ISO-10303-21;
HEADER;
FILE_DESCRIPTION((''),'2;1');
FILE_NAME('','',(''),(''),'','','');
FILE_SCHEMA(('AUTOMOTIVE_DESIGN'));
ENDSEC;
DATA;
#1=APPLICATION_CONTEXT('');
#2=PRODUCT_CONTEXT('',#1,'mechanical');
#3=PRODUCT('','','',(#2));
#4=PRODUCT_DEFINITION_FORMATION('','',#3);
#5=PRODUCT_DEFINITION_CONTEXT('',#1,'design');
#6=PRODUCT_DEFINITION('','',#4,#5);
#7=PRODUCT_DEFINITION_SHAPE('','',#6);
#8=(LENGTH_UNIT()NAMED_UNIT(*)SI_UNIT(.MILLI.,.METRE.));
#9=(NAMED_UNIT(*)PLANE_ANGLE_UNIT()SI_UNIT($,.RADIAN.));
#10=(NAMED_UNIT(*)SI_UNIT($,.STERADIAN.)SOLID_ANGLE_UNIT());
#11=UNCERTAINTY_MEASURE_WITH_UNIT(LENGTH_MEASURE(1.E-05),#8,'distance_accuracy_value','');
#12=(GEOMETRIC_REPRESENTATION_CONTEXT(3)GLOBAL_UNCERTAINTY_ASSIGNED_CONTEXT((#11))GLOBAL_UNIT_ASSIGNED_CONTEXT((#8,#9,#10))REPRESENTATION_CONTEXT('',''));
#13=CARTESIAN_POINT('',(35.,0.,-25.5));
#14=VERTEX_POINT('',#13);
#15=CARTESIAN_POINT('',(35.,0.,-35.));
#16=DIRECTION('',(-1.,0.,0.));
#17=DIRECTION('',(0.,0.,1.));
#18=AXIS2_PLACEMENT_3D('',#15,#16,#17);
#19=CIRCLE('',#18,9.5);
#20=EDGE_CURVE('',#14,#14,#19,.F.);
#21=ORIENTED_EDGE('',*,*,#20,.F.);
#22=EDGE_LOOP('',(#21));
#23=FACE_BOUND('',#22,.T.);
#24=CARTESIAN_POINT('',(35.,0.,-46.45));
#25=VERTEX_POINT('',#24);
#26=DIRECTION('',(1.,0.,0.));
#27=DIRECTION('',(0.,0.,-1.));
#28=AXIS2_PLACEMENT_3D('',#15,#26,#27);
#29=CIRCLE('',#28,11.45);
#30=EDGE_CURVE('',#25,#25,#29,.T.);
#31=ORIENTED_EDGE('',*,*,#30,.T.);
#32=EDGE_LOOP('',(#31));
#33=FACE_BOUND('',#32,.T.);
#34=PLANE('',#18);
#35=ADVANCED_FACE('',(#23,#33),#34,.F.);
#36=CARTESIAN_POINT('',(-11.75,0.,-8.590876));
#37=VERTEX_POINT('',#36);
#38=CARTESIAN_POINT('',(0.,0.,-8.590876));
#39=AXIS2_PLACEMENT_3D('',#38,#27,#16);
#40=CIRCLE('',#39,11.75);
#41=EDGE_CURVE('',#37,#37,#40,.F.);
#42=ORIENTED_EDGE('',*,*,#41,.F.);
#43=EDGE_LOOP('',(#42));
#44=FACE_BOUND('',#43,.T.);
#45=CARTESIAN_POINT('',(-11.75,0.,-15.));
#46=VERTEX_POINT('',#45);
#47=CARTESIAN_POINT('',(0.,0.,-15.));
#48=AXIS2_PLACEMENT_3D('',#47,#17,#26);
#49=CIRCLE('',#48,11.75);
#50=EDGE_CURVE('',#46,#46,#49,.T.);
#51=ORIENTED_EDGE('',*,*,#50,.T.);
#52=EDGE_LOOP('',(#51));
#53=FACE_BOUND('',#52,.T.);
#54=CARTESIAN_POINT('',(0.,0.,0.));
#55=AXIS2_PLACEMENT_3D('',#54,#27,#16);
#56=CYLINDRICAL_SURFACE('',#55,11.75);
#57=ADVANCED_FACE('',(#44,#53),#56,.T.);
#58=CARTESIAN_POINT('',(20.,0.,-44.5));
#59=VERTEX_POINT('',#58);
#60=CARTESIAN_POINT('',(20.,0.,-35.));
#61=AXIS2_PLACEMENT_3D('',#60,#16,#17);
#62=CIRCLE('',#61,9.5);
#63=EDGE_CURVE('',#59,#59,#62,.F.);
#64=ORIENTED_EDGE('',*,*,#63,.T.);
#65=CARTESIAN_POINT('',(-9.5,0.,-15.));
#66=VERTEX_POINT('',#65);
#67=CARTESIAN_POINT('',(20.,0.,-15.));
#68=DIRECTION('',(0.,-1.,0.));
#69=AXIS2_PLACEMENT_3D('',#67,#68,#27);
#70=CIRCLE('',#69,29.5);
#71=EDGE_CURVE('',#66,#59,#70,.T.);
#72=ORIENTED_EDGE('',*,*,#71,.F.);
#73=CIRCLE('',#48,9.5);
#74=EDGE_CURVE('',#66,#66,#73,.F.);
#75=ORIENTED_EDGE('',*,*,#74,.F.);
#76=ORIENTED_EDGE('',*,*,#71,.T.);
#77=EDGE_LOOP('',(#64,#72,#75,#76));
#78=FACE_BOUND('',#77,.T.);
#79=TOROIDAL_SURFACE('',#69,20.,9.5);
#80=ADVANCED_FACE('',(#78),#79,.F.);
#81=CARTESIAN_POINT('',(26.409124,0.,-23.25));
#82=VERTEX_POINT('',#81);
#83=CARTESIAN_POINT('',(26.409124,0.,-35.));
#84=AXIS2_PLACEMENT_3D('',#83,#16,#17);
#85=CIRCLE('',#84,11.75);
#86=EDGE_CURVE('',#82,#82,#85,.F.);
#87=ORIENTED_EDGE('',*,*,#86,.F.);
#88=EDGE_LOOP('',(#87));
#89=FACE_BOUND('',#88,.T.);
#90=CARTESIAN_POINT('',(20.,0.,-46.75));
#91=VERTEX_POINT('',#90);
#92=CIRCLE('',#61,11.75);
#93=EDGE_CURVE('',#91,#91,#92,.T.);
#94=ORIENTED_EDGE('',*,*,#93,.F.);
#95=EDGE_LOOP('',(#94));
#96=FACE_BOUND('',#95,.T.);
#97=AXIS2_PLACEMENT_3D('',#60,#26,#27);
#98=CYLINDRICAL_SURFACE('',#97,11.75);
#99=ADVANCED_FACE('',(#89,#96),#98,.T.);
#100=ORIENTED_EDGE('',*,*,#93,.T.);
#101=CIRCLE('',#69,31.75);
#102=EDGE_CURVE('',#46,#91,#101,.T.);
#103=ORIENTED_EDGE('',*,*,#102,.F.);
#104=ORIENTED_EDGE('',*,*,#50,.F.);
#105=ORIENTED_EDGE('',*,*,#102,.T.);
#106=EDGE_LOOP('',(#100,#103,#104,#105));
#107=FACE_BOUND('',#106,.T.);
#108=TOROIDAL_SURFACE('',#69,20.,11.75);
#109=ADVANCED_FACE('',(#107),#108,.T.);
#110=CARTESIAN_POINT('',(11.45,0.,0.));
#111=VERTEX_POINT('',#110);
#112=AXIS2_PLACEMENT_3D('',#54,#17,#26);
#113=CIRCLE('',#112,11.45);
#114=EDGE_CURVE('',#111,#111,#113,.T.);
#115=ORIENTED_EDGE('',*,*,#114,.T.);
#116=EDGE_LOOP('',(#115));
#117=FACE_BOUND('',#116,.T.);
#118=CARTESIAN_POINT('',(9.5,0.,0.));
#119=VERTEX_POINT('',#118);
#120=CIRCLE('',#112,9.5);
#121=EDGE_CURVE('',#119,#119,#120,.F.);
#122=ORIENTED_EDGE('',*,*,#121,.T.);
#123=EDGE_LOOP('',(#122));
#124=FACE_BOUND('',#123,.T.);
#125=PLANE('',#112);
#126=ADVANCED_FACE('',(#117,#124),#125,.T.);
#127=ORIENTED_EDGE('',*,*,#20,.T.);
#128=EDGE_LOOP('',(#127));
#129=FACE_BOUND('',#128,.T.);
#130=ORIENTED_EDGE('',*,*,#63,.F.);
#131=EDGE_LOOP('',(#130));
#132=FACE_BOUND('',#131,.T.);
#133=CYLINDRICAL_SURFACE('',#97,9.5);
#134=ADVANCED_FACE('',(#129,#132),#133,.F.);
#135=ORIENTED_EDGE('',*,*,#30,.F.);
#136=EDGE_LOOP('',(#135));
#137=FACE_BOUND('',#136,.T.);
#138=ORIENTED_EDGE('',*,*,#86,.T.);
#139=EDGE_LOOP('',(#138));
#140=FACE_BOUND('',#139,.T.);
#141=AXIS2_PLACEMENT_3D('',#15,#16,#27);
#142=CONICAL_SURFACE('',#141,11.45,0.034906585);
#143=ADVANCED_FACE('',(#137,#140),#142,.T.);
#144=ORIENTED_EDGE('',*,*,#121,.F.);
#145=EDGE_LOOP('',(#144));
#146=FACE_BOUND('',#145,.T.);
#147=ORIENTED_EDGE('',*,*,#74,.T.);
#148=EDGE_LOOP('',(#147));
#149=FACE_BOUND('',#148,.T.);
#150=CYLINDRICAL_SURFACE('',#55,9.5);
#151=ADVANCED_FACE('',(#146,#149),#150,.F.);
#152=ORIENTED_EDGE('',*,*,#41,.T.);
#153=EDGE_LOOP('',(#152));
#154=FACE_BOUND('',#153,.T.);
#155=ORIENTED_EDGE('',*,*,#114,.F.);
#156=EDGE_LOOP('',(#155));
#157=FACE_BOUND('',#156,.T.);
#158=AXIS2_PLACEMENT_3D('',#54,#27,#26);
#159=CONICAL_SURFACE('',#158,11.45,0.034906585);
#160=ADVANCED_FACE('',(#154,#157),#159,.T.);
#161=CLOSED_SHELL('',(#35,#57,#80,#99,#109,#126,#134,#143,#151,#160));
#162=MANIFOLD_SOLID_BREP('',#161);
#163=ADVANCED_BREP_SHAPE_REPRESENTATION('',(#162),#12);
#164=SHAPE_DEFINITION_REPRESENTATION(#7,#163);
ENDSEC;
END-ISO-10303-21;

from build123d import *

# Parameters (mm, degrees)
SKETCH2_R          = 11.75
SKETCH2_R_2        = 9.5
SKETCH40_OUTSIDE_W = 63.83
SKETCH40_OUTSIDE_H = 40.58
SKETCH40_OUTSIDE_R = 11.45
CUT_EXTRUDE2_DEPTH = 15
CUT_EXTRUDE2_TAPER = 2
SKETCH41_OUTSIDE_W = 63.83
SKETCH41_OUTSIDE_H = 40.58
SKETCH41_OUTSIDE_R = 11.45
CUT_EXTRUDE3_DEPTH = 15
CUT_EXTRUDE3_TAPER = 2


with BuildPart() as part:
    # Sweep1: sweep along a path in Sketch1
    with BuildLine(Plane(origin=(0, 0, 0), x_dir=(1, 0, 0), z_dir=(0, 1, 0))) as sweep1_path:
        Line((0, 0), (0, 15))
        ThreePointArc((0, 15), (5.857864376, 29.142135624), (20, 35))
        Line((20, 35), (35, 35))
    # Sketch2 → Sweep1 (sweep)
    with BuildSketch(Plane.XY):
        Circle(SKETCH2_R)
        Circle(SKETCH2_R_2, mode=Mode.SUBTRACT)
    sweep(path=sweep1_path.line)

    # Sketch40 outside → Cut-Extrude2 (cut)
    with BuildSketch(Plane.XY):
        with Locations((11.625, 0)):
            Rectangle(SKETCH40_OUTSIDE_W, SKETCH40_OUTSIDE_H)
        Circle(SKETCH40_OUTSIDE_R, mode=Mode.SUBTRACT)
    extrude(amount=-CUT_EXTRUDE2_DEPTH, taper=CUT_EXTRUDE2_TAPER, mode=Mode.SUBTRACT)

    # Sketch41 outside → Cut-Extrude3 (cut)
    with BuildSketch(Plane(origin=(35, 0, 0), x_dir=(0, 0, -1), z_dir=(1, 0, 0))):
        with Locations((23.375, 0)):
            Rectangle(SKETCH41_OUTSIDE_W, SKETCH41_OUTSIDE_H)
        with Locations((35, 0)):
            Circle(SKETCH41_OUTSIDE_R, mode=Mode.SUBTRACT)
    extrude(amount=-CUT_EXTRUDE3_DEPTH, taper=CUT_EXTRUDE3_TAPER, mode=Mode.SUBTRACT)


solid = part.part
